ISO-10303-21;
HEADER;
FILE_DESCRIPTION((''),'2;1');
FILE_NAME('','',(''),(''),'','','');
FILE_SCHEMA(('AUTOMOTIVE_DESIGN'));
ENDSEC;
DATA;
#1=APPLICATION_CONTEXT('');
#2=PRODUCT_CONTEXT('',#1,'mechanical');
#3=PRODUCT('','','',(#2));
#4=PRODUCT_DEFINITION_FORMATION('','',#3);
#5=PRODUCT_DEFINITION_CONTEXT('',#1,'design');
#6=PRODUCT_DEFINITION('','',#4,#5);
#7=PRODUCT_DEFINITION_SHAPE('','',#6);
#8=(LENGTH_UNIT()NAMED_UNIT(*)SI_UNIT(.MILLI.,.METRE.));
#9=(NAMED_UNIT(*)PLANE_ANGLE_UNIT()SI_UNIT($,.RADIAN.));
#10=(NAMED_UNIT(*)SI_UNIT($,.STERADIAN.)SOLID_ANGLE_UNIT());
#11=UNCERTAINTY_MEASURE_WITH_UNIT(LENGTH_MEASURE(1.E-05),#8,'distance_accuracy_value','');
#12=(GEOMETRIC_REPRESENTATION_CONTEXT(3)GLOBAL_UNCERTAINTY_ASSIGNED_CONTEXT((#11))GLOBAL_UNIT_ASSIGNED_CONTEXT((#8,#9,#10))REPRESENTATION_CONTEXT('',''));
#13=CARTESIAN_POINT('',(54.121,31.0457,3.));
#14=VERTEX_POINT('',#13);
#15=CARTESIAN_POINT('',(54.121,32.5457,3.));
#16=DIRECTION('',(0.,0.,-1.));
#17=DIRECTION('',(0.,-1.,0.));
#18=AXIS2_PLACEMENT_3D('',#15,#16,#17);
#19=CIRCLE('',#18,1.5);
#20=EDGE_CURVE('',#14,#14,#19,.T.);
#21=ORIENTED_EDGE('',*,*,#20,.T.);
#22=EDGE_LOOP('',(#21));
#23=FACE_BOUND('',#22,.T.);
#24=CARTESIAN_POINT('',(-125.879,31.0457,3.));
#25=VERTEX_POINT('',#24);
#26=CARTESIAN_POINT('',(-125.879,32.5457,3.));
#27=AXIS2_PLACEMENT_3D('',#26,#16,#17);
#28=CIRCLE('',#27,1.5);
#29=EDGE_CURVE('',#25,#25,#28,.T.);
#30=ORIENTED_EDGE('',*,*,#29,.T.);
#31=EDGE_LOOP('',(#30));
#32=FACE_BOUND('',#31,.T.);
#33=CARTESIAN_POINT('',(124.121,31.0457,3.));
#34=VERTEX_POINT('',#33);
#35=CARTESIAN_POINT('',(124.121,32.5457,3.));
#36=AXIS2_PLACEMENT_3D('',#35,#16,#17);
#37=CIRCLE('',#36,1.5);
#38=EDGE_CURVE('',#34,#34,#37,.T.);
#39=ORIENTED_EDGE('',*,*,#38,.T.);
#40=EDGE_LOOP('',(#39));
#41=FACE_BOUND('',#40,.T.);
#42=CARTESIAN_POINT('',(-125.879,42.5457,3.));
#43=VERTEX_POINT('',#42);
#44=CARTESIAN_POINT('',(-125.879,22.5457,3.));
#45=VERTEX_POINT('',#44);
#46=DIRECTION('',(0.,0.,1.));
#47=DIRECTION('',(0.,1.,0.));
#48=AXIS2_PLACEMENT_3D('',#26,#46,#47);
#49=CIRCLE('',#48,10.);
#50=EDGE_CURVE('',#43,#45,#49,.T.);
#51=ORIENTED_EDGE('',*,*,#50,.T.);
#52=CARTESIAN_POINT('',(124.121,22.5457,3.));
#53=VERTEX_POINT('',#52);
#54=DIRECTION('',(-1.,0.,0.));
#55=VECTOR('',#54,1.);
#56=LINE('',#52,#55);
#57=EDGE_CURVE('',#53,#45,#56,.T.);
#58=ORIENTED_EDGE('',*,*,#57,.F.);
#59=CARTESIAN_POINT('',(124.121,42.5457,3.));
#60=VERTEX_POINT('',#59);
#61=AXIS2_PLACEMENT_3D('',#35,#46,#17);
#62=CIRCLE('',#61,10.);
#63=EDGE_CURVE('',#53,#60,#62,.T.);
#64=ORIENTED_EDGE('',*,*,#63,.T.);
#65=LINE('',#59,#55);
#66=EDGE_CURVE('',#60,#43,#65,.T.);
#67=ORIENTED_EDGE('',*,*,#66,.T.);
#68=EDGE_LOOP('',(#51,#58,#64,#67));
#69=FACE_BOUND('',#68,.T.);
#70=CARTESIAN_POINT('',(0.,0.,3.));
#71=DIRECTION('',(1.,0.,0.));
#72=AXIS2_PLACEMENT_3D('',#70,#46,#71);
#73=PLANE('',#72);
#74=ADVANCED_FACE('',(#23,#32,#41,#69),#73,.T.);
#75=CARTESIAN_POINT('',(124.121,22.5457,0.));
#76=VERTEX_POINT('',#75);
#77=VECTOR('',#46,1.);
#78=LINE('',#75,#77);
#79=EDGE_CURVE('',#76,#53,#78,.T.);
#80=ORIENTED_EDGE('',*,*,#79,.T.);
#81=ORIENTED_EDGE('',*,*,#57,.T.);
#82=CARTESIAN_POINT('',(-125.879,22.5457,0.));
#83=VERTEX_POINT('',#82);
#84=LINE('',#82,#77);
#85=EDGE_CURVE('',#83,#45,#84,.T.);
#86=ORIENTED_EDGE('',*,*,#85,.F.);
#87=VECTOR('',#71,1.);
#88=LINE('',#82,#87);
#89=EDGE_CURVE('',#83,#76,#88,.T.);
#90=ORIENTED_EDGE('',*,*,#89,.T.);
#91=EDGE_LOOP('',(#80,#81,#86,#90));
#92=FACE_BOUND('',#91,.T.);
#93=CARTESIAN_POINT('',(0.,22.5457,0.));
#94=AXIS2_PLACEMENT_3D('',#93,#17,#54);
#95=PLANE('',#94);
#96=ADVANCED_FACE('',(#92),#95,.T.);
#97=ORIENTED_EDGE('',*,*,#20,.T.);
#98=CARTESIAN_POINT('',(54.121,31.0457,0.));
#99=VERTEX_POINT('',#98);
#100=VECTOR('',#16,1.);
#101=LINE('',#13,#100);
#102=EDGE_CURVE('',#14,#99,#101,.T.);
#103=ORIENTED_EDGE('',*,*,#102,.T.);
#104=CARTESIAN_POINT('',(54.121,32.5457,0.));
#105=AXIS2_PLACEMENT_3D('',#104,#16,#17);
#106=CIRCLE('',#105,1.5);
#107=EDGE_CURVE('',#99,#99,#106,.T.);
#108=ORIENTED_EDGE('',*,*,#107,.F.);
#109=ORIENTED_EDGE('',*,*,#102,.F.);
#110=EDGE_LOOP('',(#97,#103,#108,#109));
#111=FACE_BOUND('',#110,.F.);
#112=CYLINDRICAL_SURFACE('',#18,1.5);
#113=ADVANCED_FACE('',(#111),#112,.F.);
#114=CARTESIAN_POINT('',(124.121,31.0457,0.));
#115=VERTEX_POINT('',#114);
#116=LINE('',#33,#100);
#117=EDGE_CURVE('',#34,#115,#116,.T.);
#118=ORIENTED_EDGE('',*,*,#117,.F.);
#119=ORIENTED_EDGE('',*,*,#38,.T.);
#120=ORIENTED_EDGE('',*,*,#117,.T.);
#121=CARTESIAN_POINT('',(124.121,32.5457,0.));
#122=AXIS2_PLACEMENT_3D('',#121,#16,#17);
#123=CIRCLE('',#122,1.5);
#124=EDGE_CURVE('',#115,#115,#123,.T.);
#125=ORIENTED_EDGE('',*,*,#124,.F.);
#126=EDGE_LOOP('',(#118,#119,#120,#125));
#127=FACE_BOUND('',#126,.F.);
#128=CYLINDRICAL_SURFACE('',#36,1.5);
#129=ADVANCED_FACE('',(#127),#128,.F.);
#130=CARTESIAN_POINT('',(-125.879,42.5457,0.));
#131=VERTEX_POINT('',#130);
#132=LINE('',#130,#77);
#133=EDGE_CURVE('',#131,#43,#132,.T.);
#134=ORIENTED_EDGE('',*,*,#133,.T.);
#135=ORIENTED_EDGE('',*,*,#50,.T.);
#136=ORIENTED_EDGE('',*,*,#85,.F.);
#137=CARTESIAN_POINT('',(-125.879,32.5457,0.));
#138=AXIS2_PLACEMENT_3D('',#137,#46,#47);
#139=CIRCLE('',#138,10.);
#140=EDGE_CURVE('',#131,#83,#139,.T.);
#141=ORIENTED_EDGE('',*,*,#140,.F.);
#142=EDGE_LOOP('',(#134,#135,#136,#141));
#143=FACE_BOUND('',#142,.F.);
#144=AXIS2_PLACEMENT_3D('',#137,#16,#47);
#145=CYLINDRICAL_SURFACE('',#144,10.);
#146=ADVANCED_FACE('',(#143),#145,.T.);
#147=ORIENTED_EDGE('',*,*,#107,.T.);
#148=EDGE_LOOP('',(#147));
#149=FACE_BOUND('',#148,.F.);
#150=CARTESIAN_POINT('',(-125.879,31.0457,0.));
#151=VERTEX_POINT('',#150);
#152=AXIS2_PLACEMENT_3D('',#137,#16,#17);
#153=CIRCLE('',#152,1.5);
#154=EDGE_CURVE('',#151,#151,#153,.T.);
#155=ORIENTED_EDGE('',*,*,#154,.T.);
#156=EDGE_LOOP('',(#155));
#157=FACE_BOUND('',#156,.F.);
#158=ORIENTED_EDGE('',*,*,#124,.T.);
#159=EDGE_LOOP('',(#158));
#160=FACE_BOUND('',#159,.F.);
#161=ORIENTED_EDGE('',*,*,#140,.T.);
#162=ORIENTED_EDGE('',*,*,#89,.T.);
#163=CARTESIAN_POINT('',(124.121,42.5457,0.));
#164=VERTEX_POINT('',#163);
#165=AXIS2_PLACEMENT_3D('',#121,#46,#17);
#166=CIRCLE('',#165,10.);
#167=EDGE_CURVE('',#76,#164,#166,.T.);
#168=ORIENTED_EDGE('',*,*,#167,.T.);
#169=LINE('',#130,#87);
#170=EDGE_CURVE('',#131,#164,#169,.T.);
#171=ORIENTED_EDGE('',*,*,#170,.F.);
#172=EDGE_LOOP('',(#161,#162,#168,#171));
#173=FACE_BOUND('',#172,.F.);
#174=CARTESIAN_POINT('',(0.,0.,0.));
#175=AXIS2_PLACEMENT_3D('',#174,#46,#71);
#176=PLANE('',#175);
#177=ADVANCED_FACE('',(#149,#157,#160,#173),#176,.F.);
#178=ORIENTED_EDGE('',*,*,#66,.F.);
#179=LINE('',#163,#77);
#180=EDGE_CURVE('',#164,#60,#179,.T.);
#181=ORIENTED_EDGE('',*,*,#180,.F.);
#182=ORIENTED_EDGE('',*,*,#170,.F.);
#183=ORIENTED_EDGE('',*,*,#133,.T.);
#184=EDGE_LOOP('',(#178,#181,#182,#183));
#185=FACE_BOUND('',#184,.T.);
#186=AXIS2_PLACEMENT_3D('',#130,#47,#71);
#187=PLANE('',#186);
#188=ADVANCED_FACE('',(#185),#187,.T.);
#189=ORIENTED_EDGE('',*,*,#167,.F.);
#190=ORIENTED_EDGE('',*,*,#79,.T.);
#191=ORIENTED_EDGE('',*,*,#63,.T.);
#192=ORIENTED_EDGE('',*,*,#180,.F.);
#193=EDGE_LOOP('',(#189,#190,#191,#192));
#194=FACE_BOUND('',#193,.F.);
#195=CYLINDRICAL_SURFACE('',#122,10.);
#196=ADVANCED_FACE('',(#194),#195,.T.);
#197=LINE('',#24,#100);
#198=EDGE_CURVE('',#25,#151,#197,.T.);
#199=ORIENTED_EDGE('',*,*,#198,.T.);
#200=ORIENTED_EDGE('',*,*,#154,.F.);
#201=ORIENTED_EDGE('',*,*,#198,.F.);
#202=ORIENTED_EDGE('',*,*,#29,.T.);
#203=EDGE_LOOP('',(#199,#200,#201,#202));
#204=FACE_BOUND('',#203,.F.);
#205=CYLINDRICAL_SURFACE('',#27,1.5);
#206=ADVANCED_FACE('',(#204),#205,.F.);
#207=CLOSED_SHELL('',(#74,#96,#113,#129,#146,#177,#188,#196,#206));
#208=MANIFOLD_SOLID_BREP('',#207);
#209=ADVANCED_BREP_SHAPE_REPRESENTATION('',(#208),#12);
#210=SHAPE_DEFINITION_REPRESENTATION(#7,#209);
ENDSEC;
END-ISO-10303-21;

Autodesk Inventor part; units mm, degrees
ref_plane "YZ Plane" through (0, 0, 0) normal (1, 0, 0) x (0, 1, 0)
ref_plane "XZ Plane" through (0, 0, 0) normal (0, 1, 0) x (-1, 0, 0)
ref_plane "XY Plane" through (0, 0, 0) normal (0, 0, 1) x (1, 0, 0)
sketch "Skizze1" plane through (0, 0, 0) normal (0, 0, 1) x (1, 0, 0)
  line L0 (-189.879, 0) -> (188.121, 0) projected
  line L1 (0, -8.5091) -> (0, 51.0549) projected
  line L2 (-125.879, 42.5457) -> (124.121, 42.5457)
  line L3 (124.121, 22.5457) -> (-125.879, 22.5457)
  arc A0 (-125.879, 42.5457) -> (-125.879, 22.5457) centre (-125.879, 32.5457) ccw
  arc A1 (124.121, 22.5457) -> (124.121, 42.5457) centre (124.121, 32.5457) ccw
  point P0 (0, 0)
  dimension "d5" = 250
  dimension "d6" = 20
extrude "Extrusion1" add sketch "Skizze1" along normal blind 3
sketch "Skizze2" plane through (0, 0, 3) normal (0, 0, 1) x (1, 0, 0)
  arc A0 (124.121, 22.5457) -> (124.121, 42.5457) centre (124.121, 32.5457) ccw projected
  line L0 (124.121, 42.5457) -> (-125.879, 42.5457) projected
  arc A1 (-125.879, 42.5457) -> (-125.879, 22.5457) centre (-125.879, 32.5457) ccw projected
  point P0 (0, 0)
  point P1 (-125.879, 32.5457)
  dimension "d9" = 10
  dimension "d10" = 0
hole "Bohrung1" at (-125.879, 32.5457, 3) at (124.121, 32.5457, 3) direction (0, 0, -1) diameter 3 depth 57.1 tip angle 118
sketch "Skizze3" plane through (0, 0, 3) normal (0, 0, 1) x (1, 0, 0)
  circle A0 centre (124.121, 32.5457) radius 1.5 projected
  line L0 (124.121, 42.5457) -> (-125.879, 42.5457) projected
  point P0 (0, 0)
  point P1 (54.121, 32.5457)
  dimension "d18" = 70
  dimension "d19" = 10
hole "Bohrung2" at (54.121, 32.5457, 3) direction (0, 0, -1) diameter 3 depth 57.1 tip angle 118
properties part number "Träger vorne oben lang"
